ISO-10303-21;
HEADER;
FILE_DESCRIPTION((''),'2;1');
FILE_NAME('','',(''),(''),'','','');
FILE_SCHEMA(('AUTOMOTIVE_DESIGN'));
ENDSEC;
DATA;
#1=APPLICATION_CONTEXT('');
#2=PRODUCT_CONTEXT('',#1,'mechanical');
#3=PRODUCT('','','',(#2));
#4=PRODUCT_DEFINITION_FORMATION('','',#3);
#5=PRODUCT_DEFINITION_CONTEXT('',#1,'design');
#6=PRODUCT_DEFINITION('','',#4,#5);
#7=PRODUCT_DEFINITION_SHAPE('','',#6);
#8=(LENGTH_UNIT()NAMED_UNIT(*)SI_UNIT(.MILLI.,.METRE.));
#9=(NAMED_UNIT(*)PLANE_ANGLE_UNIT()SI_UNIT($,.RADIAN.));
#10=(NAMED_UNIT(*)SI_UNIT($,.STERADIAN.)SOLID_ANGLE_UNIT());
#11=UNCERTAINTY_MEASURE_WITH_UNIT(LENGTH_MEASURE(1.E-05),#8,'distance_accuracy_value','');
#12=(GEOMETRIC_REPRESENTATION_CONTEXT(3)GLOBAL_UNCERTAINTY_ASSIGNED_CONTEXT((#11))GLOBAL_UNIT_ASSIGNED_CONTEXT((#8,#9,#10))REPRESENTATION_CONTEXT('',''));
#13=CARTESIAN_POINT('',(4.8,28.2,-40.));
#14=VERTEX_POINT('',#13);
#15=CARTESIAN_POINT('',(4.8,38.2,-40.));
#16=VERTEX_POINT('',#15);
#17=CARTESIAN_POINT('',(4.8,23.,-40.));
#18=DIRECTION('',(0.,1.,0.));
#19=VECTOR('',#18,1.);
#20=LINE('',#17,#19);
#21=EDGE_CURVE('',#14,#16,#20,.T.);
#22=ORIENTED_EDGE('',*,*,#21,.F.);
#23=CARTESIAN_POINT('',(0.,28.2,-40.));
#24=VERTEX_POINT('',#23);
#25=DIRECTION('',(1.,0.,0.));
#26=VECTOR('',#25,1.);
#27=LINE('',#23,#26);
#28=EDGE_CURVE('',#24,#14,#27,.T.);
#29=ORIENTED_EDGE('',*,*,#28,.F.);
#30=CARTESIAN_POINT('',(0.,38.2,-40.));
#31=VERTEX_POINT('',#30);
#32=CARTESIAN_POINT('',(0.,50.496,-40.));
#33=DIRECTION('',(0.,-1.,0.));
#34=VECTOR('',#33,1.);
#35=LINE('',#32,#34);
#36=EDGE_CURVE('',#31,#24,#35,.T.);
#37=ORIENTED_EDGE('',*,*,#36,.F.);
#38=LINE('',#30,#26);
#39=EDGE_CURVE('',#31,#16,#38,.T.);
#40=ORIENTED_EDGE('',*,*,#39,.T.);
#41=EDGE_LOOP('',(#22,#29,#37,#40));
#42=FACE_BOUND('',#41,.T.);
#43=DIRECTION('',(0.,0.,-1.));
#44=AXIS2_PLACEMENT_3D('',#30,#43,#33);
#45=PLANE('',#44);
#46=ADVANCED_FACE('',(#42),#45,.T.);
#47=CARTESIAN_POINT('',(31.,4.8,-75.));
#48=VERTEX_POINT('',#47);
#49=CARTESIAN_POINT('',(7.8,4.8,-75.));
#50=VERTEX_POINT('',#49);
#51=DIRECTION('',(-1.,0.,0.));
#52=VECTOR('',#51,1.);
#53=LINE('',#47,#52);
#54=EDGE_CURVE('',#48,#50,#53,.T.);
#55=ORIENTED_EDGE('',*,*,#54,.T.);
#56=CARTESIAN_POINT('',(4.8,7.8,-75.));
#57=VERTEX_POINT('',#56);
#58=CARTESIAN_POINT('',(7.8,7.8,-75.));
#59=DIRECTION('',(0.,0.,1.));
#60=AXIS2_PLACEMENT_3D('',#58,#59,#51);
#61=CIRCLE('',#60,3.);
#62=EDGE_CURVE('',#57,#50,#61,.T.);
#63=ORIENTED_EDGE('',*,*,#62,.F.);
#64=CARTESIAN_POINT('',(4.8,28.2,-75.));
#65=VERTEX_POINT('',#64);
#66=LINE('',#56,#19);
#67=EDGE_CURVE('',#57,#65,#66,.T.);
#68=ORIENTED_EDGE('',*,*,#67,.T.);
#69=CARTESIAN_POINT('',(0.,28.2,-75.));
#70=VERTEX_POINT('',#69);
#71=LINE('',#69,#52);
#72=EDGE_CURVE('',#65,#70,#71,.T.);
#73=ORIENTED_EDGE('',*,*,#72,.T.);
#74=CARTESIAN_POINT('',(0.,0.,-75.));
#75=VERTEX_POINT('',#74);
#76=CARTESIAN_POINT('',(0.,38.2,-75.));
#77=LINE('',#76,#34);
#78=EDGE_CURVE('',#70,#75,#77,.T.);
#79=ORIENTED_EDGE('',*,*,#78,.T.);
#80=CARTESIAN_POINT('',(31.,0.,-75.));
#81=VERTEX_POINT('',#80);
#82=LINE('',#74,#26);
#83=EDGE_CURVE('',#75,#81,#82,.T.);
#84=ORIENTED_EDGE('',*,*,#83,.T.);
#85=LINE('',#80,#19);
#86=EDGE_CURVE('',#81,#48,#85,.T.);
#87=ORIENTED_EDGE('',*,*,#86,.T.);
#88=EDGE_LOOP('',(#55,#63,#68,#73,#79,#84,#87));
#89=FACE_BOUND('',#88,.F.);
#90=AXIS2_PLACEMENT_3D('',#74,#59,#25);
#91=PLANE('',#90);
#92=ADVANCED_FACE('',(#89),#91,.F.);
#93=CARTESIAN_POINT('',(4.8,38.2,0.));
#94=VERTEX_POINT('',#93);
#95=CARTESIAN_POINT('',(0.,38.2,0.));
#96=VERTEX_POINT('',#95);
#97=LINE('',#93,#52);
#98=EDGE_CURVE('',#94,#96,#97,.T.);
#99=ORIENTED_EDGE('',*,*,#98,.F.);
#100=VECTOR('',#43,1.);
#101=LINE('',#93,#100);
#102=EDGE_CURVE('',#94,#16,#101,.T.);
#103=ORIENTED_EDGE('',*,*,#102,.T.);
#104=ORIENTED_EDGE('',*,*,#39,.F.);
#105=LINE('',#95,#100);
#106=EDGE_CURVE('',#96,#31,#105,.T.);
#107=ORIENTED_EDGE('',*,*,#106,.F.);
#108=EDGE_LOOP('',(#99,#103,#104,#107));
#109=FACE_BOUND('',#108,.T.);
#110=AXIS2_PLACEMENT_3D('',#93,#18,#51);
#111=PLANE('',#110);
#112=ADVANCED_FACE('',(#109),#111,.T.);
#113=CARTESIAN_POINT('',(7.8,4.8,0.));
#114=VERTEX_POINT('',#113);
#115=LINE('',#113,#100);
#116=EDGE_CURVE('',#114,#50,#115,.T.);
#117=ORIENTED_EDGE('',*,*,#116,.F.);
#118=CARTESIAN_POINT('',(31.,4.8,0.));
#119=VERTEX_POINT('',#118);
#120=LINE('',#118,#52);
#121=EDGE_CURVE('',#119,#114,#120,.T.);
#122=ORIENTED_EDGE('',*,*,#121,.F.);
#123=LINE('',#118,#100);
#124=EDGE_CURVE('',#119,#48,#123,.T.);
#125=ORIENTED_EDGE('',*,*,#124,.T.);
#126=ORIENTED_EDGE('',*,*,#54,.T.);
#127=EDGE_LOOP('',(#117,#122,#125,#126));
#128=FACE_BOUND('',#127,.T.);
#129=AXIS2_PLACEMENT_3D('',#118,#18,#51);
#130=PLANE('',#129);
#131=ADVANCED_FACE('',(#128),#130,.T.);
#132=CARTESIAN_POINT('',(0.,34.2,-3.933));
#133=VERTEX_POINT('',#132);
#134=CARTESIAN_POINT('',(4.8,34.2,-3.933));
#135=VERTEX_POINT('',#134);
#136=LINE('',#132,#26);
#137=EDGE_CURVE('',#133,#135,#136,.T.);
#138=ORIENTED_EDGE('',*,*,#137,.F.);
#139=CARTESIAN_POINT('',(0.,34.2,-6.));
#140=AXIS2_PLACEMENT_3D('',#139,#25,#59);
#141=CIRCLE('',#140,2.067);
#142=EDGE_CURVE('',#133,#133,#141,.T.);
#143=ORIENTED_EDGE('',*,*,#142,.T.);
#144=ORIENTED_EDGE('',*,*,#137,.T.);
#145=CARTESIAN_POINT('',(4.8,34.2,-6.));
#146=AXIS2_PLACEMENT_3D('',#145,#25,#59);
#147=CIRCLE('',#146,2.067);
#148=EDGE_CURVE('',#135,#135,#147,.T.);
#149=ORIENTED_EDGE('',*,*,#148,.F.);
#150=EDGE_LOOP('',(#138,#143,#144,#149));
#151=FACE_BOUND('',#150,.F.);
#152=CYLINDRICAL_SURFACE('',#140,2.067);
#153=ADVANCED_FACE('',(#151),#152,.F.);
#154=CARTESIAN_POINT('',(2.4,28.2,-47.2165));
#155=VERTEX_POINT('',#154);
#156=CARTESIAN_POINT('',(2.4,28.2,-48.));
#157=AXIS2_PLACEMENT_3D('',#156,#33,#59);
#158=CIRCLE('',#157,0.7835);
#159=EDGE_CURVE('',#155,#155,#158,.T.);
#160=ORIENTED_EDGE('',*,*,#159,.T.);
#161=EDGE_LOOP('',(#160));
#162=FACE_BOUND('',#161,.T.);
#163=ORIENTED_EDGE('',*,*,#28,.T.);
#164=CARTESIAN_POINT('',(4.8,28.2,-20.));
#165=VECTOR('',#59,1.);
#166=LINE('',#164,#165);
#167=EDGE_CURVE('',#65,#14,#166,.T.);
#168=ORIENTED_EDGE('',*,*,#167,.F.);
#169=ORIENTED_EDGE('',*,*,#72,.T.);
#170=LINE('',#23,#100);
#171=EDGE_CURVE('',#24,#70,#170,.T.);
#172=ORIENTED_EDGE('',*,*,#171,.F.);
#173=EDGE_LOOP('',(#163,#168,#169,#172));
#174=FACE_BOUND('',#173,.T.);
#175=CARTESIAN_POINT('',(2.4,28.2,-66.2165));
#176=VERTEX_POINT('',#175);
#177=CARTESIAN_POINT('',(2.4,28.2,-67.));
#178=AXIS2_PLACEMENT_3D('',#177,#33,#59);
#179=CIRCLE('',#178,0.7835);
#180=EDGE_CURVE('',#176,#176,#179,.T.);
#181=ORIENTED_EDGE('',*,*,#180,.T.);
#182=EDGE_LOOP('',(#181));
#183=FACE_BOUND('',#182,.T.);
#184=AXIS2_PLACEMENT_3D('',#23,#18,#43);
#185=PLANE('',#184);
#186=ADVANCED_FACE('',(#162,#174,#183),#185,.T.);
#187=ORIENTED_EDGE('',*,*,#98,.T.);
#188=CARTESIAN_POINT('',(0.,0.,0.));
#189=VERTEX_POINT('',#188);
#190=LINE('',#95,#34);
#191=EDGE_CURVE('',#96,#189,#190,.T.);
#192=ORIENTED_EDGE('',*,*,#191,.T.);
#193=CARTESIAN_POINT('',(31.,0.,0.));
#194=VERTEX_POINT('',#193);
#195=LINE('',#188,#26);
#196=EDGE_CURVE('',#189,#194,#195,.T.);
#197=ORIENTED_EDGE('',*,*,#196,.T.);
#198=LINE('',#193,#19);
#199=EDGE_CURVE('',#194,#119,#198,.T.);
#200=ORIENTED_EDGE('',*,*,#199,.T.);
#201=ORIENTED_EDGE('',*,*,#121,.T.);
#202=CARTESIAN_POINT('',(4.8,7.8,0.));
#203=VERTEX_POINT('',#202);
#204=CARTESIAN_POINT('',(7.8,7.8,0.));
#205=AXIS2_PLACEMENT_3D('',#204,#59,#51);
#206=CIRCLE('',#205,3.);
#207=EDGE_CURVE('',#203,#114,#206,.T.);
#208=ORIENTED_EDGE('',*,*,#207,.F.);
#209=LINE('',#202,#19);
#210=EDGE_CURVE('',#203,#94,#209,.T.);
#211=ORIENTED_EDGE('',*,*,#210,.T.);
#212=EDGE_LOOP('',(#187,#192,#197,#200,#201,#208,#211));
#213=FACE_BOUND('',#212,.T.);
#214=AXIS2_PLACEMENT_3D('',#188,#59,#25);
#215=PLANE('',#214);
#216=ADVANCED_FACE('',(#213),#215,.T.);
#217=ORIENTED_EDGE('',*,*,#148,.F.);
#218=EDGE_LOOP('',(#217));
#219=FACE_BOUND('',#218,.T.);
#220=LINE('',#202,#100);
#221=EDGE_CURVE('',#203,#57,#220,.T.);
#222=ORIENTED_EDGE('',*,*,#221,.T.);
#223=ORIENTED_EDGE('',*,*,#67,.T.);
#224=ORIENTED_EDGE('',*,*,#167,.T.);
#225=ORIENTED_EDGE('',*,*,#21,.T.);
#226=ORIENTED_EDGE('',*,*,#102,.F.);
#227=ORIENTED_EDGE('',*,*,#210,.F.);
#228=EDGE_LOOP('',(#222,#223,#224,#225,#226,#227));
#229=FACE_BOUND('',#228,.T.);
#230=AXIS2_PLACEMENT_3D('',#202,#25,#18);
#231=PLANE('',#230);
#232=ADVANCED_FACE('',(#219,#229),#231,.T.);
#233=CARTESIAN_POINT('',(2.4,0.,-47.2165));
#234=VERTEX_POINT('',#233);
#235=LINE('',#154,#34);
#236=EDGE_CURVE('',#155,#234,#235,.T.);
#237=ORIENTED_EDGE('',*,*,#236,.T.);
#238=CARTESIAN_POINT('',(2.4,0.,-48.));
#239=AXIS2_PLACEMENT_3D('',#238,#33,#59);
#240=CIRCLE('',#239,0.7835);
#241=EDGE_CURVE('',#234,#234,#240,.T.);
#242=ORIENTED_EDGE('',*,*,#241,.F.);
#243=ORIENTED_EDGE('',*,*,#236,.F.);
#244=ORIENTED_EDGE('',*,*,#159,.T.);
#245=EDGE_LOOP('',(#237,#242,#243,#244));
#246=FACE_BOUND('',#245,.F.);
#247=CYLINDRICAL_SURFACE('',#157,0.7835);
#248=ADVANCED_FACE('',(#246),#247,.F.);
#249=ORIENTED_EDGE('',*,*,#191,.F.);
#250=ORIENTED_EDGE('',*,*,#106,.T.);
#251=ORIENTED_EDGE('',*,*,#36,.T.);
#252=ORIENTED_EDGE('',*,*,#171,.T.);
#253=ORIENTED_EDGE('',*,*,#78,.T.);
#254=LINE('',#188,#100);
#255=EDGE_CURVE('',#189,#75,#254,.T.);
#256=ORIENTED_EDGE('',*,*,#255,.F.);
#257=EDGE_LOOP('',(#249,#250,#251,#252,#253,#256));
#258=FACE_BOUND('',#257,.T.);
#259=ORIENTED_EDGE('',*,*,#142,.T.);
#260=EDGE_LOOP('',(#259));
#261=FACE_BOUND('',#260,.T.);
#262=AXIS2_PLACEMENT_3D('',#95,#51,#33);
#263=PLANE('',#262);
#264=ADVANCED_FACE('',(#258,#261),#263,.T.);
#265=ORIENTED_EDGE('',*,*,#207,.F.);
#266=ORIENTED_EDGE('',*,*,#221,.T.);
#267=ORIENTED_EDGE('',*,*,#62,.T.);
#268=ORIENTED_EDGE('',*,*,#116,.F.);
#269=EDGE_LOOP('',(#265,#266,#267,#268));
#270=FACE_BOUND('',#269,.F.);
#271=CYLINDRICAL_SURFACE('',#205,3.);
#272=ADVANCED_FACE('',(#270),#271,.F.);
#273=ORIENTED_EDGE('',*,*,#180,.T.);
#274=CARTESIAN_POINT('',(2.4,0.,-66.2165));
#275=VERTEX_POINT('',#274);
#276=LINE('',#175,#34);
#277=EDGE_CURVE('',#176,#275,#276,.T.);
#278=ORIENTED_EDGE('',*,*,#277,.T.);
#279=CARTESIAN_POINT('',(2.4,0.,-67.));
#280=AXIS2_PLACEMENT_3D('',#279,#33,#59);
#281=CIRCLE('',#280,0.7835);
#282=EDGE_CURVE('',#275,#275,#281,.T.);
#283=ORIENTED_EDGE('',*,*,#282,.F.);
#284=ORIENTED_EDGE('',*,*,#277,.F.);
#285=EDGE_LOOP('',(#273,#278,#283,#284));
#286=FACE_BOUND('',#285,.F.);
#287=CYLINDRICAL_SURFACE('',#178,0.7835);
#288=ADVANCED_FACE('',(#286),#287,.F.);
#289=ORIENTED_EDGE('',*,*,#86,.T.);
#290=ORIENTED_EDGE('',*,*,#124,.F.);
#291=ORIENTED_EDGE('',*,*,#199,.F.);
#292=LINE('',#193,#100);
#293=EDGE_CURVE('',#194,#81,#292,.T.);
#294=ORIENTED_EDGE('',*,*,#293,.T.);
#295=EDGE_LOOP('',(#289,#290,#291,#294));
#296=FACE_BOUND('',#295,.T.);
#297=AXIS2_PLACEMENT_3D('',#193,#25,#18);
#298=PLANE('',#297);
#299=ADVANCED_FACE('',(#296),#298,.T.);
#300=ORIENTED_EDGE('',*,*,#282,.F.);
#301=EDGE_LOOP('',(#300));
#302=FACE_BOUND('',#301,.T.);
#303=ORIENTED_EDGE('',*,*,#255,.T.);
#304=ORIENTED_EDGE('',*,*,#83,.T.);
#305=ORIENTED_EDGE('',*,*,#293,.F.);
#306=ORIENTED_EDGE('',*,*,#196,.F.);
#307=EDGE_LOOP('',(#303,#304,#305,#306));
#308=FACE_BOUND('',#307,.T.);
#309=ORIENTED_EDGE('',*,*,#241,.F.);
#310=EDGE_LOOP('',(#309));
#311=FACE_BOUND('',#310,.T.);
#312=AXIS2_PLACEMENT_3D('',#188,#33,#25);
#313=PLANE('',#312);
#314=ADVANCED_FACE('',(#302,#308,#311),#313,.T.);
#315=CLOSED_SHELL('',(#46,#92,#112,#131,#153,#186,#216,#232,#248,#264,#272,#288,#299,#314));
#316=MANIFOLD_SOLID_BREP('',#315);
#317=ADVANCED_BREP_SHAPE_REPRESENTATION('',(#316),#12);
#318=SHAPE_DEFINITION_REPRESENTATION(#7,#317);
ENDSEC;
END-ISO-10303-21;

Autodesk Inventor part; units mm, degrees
ref_plane "YZ Plane" through (0, 0, 0) normal (1, 0, 0) x (0, 1, 0)
ref_plane "XZ Plane" through (0, 0, 0) normal (0, 1, 0) x (-1, 0, 0)
ref_plane "XY Plane" through (0, 0, 0) normal (0, 0, 1) x (1, 0, 0)
sketch "Sketch1" plane through (0, 0, 0) normal (0, 0, 1) x (1, 0, 0)
  line L0 (0, 38.2) -> (0, 0)
  line L1 (0, 0) -> (31, 0)
  line L2 (31, 0) -> (31, 4.8)
  line L3 (31, 4.8) -> (7.8, 4.8)
  line L4 (4.8, 7.8) -> (4.8, 38.2)
  line L5 (4.8, 38.2) -> (0, 38.2)
  arc A0 (4.8, 7.8) -> (7.8, 4.8) centre (7.8, 7.8) ccw
  dimension "d0" = 31
  dimension "d1" = 38.2
  dimension "d2" = 4.8
  dimension "d3" = 4.8
  dimension "d4" = 3
extrude "Extrusion1" add sketch "Sketch1" against normal blind 75
sketch "Sketch2" plane through (0, 0, 0) normal (-1, 0, 0) x (0, 0, 1)
  line L0 (0, 0) -> (0, 38.2) projected
  line L1 (0, 38.2) -> (-75, 38.2) projected
  point P0 (-6, 34.2)
  dimension "d7" = 4
  dimension "d8" = 6
hole "Hole1" at (0, 34.2, -6) direction (1, 0, 0) diameter 4.134 end through all thread size "M5x0.8" class "6H" standard "ANSI Metric M Profile"
sketch "Sketch3" plane through (0, 0, 0) normal (-1, 0, 0) x (0, 0, 1)
  line L0 (0, 0) -> (0, 38.2) projected
  line L1 (0, 38.2) -> (-75, 38.2) projected
  line L2 (-100.4339, 50.496) -> (-40, 50.496)
  line L3 (-40, 50.496) -> (-40, 28.2)
  line L4 (-40, 28.2) -> (-100.4339, 28.2)
  line L5 (-100.4339, 28.2) -> (-100.4339, 50.496)
  dimension "d16" = 40
  dimension "d17" = 10
extrude "Extrusion2" cut sketch "Sketch3" against normal through all
sketch "Sketch4" plane through (0, 28.2, -40) normal (0, 1, 0) x (1, 0, 0)
  line L0 (0, 35) -> (4.8, 35) projected
  line L1 (0, 0) -> (4.8, 0) projected
  point P0 (0, -40)
  point P1 (2.4, 27)
  point P2 (2.4, 8)
  dimension "d20" = 8
  dimension "d21" = 8
  dimension "d22" = 19
hole "Hole2" at (2.4, 28.2, -67) at (2.4, 28.2, -48) direction (0, -1, 0) diameter 1.567 end through all thread size "M2x0.4" class "6H" standard "ISO Metric profile"
properties part number "Left Angle"
